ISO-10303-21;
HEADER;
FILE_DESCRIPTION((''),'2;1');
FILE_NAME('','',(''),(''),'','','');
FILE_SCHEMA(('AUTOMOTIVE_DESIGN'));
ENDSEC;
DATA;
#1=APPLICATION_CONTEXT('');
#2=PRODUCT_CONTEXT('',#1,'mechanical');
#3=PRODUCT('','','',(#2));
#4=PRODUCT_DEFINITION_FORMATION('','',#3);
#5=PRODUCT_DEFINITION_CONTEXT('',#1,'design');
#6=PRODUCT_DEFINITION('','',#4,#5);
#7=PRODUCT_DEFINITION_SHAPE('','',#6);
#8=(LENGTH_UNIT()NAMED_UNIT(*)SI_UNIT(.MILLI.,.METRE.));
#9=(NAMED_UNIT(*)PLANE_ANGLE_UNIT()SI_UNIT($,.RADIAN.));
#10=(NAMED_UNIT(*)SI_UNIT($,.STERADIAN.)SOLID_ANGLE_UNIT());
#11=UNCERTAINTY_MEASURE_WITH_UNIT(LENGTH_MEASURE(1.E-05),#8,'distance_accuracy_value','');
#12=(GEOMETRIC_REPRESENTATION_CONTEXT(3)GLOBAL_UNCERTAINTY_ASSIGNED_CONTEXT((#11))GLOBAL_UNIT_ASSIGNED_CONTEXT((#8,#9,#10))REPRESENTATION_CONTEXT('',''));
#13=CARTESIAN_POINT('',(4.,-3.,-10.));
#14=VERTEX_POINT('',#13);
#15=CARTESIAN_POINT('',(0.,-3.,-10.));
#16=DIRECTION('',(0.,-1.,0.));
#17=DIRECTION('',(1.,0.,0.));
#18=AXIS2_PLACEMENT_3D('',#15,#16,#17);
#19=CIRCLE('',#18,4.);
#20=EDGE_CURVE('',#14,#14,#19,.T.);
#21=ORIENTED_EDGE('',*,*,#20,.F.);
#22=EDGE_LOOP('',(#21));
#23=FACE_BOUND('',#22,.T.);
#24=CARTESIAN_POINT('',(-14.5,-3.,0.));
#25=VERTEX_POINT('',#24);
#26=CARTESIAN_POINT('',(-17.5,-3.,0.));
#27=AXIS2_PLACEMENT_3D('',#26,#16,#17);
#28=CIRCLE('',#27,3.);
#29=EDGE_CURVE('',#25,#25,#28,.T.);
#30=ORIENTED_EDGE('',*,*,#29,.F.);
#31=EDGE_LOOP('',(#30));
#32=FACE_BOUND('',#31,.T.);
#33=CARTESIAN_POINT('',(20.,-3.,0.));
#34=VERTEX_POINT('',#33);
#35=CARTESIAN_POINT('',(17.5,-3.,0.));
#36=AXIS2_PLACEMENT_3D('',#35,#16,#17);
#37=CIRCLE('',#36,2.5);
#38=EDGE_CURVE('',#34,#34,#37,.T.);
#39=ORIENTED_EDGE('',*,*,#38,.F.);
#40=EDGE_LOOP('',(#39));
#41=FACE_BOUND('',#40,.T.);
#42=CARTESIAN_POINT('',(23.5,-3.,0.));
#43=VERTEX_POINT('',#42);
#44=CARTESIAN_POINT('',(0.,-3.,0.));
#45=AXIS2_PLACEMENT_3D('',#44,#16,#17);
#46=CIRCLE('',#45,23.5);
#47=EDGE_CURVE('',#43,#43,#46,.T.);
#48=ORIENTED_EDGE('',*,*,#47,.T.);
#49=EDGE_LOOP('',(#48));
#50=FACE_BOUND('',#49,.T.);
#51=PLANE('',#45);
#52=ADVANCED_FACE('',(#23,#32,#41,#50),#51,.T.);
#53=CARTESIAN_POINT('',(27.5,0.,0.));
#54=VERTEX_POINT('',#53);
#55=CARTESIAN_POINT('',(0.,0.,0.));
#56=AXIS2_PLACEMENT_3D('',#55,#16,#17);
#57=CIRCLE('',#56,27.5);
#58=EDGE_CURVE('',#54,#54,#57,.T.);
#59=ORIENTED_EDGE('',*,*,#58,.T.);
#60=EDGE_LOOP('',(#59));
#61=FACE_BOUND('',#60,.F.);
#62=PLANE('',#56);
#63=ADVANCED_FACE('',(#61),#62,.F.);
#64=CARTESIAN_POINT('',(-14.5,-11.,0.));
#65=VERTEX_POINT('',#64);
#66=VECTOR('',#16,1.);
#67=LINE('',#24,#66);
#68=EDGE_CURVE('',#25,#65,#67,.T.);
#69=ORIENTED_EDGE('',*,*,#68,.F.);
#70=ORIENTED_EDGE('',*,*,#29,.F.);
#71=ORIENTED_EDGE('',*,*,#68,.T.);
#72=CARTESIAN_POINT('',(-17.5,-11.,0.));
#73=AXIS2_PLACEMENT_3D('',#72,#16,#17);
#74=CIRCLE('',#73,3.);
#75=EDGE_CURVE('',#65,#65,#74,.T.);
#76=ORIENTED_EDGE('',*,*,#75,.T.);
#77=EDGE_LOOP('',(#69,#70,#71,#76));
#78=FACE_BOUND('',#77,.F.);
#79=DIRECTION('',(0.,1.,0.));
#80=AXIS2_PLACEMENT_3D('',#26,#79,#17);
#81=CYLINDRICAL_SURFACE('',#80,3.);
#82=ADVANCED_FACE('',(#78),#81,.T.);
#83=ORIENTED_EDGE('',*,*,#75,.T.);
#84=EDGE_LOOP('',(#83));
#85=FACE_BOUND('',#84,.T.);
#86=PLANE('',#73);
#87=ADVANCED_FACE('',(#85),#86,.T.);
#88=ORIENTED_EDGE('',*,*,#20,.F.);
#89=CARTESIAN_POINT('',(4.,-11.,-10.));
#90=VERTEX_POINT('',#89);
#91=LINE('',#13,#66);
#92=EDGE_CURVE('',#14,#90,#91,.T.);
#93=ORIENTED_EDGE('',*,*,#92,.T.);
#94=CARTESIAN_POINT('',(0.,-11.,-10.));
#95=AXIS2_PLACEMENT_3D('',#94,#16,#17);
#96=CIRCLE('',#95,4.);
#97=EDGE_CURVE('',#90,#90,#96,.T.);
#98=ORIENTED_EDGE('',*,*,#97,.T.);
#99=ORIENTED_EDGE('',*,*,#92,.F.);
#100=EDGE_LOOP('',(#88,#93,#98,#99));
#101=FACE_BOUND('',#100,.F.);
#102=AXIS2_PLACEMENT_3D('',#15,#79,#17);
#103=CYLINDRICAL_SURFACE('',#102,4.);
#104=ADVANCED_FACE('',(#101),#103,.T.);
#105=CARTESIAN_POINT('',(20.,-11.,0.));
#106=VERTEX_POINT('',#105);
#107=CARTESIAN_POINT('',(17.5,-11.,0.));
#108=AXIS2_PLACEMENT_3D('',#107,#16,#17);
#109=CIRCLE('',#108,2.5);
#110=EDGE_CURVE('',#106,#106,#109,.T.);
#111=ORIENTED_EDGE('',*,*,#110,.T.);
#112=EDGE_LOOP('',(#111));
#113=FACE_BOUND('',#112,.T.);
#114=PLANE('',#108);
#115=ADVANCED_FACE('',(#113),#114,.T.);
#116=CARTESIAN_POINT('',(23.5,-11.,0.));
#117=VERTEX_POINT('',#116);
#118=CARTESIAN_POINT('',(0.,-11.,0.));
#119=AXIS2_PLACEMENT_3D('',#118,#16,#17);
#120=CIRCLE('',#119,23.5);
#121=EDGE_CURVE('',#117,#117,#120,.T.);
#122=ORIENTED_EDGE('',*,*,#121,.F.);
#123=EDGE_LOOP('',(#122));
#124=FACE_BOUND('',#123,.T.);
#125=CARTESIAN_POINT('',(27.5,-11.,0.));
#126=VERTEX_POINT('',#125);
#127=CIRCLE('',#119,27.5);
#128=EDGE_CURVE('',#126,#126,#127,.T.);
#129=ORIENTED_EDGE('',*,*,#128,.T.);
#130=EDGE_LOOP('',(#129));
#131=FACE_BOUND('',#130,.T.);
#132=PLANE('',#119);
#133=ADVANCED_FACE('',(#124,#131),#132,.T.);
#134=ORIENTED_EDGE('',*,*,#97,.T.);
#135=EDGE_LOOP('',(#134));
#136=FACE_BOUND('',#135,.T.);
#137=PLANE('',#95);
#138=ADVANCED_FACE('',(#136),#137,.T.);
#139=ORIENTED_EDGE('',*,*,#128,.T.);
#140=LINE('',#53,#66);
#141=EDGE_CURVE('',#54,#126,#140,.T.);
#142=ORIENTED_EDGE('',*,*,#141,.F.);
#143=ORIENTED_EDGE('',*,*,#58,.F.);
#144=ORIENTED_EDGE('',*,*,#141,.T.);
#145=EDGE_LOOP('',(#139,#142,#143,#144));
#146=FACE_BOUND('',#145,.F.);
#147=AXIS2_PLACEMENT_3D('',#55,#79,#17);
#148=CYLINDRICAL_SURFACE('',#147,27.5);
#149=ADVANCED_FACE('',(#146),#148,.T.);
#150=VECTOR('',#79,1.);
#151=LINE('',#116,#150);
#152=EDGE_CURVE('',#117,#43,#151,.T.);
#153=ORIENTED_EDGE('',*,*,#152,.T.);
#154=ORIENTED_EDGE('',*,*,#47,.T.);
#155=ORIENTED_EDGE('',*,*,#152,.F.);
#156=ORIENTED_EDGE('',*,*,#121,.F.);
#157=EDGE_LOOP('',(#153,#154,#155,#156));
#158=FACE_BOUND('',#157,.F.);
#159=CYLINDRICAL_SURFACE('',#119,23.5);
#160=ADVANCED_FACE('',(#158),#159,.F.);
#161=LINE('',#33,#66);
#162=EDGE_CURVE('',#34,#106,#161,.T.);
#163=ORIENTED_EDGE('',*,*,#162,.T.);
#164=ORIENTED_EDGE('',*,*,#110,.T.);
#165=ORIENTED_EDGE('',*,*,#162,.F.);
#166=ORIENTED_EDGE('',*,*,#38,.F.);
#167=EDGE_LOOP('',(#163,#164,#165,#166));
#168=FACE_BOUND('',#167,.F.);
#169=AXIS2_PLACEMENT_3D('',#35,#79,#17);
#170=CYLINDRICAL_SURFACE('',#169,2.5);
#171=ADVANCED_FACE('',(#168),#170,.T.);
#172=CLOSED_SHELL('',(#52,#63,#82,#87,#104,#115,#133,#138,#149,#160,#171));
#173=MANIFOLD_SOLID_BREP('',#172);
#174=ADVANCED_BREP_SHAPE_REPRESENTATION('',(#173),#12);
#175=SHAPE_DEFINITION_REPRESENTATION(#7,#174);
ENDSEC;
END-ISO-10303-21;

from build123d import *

# Parameters (mm, degrees)
F0_R     = 27.5
F1_DEPTH = 11
F2_R     = 23.5
F3_DEPTH = 8
F4_R     = 4
F4_R_2   = 3
F4_R_3   = 2.5
F5_DEPTH = 8


with BuildPart() as f1:
    # F0 (on Front) → F1 (new body)
    with BuildSketch(Plane.XZ):
        Circle(F0_R)
    extrude(amount=F1_DEPTH)

    # F2 (on face) → F3 (cut)
    with BuildSketch(Plane.XZ.offset(11)):
        Circle(F2_R)
    extrude(amount=-F3_DEPTH, mode=Mode.SUBTRACT)

    # F4 (on face) → F5 (join)
    with BuildSketch(Plane.XZ.offset(3)):
        with Locations((0, -10)):
            Circle(F4_R)
        with Locations((-17.5, 0)):
            Circle(F4_R_2)
        with Locations((17.5, 0)):
            Circle(F4_R_3)
    extrude(amount=F5_DEPTH)


solid = f1.part
